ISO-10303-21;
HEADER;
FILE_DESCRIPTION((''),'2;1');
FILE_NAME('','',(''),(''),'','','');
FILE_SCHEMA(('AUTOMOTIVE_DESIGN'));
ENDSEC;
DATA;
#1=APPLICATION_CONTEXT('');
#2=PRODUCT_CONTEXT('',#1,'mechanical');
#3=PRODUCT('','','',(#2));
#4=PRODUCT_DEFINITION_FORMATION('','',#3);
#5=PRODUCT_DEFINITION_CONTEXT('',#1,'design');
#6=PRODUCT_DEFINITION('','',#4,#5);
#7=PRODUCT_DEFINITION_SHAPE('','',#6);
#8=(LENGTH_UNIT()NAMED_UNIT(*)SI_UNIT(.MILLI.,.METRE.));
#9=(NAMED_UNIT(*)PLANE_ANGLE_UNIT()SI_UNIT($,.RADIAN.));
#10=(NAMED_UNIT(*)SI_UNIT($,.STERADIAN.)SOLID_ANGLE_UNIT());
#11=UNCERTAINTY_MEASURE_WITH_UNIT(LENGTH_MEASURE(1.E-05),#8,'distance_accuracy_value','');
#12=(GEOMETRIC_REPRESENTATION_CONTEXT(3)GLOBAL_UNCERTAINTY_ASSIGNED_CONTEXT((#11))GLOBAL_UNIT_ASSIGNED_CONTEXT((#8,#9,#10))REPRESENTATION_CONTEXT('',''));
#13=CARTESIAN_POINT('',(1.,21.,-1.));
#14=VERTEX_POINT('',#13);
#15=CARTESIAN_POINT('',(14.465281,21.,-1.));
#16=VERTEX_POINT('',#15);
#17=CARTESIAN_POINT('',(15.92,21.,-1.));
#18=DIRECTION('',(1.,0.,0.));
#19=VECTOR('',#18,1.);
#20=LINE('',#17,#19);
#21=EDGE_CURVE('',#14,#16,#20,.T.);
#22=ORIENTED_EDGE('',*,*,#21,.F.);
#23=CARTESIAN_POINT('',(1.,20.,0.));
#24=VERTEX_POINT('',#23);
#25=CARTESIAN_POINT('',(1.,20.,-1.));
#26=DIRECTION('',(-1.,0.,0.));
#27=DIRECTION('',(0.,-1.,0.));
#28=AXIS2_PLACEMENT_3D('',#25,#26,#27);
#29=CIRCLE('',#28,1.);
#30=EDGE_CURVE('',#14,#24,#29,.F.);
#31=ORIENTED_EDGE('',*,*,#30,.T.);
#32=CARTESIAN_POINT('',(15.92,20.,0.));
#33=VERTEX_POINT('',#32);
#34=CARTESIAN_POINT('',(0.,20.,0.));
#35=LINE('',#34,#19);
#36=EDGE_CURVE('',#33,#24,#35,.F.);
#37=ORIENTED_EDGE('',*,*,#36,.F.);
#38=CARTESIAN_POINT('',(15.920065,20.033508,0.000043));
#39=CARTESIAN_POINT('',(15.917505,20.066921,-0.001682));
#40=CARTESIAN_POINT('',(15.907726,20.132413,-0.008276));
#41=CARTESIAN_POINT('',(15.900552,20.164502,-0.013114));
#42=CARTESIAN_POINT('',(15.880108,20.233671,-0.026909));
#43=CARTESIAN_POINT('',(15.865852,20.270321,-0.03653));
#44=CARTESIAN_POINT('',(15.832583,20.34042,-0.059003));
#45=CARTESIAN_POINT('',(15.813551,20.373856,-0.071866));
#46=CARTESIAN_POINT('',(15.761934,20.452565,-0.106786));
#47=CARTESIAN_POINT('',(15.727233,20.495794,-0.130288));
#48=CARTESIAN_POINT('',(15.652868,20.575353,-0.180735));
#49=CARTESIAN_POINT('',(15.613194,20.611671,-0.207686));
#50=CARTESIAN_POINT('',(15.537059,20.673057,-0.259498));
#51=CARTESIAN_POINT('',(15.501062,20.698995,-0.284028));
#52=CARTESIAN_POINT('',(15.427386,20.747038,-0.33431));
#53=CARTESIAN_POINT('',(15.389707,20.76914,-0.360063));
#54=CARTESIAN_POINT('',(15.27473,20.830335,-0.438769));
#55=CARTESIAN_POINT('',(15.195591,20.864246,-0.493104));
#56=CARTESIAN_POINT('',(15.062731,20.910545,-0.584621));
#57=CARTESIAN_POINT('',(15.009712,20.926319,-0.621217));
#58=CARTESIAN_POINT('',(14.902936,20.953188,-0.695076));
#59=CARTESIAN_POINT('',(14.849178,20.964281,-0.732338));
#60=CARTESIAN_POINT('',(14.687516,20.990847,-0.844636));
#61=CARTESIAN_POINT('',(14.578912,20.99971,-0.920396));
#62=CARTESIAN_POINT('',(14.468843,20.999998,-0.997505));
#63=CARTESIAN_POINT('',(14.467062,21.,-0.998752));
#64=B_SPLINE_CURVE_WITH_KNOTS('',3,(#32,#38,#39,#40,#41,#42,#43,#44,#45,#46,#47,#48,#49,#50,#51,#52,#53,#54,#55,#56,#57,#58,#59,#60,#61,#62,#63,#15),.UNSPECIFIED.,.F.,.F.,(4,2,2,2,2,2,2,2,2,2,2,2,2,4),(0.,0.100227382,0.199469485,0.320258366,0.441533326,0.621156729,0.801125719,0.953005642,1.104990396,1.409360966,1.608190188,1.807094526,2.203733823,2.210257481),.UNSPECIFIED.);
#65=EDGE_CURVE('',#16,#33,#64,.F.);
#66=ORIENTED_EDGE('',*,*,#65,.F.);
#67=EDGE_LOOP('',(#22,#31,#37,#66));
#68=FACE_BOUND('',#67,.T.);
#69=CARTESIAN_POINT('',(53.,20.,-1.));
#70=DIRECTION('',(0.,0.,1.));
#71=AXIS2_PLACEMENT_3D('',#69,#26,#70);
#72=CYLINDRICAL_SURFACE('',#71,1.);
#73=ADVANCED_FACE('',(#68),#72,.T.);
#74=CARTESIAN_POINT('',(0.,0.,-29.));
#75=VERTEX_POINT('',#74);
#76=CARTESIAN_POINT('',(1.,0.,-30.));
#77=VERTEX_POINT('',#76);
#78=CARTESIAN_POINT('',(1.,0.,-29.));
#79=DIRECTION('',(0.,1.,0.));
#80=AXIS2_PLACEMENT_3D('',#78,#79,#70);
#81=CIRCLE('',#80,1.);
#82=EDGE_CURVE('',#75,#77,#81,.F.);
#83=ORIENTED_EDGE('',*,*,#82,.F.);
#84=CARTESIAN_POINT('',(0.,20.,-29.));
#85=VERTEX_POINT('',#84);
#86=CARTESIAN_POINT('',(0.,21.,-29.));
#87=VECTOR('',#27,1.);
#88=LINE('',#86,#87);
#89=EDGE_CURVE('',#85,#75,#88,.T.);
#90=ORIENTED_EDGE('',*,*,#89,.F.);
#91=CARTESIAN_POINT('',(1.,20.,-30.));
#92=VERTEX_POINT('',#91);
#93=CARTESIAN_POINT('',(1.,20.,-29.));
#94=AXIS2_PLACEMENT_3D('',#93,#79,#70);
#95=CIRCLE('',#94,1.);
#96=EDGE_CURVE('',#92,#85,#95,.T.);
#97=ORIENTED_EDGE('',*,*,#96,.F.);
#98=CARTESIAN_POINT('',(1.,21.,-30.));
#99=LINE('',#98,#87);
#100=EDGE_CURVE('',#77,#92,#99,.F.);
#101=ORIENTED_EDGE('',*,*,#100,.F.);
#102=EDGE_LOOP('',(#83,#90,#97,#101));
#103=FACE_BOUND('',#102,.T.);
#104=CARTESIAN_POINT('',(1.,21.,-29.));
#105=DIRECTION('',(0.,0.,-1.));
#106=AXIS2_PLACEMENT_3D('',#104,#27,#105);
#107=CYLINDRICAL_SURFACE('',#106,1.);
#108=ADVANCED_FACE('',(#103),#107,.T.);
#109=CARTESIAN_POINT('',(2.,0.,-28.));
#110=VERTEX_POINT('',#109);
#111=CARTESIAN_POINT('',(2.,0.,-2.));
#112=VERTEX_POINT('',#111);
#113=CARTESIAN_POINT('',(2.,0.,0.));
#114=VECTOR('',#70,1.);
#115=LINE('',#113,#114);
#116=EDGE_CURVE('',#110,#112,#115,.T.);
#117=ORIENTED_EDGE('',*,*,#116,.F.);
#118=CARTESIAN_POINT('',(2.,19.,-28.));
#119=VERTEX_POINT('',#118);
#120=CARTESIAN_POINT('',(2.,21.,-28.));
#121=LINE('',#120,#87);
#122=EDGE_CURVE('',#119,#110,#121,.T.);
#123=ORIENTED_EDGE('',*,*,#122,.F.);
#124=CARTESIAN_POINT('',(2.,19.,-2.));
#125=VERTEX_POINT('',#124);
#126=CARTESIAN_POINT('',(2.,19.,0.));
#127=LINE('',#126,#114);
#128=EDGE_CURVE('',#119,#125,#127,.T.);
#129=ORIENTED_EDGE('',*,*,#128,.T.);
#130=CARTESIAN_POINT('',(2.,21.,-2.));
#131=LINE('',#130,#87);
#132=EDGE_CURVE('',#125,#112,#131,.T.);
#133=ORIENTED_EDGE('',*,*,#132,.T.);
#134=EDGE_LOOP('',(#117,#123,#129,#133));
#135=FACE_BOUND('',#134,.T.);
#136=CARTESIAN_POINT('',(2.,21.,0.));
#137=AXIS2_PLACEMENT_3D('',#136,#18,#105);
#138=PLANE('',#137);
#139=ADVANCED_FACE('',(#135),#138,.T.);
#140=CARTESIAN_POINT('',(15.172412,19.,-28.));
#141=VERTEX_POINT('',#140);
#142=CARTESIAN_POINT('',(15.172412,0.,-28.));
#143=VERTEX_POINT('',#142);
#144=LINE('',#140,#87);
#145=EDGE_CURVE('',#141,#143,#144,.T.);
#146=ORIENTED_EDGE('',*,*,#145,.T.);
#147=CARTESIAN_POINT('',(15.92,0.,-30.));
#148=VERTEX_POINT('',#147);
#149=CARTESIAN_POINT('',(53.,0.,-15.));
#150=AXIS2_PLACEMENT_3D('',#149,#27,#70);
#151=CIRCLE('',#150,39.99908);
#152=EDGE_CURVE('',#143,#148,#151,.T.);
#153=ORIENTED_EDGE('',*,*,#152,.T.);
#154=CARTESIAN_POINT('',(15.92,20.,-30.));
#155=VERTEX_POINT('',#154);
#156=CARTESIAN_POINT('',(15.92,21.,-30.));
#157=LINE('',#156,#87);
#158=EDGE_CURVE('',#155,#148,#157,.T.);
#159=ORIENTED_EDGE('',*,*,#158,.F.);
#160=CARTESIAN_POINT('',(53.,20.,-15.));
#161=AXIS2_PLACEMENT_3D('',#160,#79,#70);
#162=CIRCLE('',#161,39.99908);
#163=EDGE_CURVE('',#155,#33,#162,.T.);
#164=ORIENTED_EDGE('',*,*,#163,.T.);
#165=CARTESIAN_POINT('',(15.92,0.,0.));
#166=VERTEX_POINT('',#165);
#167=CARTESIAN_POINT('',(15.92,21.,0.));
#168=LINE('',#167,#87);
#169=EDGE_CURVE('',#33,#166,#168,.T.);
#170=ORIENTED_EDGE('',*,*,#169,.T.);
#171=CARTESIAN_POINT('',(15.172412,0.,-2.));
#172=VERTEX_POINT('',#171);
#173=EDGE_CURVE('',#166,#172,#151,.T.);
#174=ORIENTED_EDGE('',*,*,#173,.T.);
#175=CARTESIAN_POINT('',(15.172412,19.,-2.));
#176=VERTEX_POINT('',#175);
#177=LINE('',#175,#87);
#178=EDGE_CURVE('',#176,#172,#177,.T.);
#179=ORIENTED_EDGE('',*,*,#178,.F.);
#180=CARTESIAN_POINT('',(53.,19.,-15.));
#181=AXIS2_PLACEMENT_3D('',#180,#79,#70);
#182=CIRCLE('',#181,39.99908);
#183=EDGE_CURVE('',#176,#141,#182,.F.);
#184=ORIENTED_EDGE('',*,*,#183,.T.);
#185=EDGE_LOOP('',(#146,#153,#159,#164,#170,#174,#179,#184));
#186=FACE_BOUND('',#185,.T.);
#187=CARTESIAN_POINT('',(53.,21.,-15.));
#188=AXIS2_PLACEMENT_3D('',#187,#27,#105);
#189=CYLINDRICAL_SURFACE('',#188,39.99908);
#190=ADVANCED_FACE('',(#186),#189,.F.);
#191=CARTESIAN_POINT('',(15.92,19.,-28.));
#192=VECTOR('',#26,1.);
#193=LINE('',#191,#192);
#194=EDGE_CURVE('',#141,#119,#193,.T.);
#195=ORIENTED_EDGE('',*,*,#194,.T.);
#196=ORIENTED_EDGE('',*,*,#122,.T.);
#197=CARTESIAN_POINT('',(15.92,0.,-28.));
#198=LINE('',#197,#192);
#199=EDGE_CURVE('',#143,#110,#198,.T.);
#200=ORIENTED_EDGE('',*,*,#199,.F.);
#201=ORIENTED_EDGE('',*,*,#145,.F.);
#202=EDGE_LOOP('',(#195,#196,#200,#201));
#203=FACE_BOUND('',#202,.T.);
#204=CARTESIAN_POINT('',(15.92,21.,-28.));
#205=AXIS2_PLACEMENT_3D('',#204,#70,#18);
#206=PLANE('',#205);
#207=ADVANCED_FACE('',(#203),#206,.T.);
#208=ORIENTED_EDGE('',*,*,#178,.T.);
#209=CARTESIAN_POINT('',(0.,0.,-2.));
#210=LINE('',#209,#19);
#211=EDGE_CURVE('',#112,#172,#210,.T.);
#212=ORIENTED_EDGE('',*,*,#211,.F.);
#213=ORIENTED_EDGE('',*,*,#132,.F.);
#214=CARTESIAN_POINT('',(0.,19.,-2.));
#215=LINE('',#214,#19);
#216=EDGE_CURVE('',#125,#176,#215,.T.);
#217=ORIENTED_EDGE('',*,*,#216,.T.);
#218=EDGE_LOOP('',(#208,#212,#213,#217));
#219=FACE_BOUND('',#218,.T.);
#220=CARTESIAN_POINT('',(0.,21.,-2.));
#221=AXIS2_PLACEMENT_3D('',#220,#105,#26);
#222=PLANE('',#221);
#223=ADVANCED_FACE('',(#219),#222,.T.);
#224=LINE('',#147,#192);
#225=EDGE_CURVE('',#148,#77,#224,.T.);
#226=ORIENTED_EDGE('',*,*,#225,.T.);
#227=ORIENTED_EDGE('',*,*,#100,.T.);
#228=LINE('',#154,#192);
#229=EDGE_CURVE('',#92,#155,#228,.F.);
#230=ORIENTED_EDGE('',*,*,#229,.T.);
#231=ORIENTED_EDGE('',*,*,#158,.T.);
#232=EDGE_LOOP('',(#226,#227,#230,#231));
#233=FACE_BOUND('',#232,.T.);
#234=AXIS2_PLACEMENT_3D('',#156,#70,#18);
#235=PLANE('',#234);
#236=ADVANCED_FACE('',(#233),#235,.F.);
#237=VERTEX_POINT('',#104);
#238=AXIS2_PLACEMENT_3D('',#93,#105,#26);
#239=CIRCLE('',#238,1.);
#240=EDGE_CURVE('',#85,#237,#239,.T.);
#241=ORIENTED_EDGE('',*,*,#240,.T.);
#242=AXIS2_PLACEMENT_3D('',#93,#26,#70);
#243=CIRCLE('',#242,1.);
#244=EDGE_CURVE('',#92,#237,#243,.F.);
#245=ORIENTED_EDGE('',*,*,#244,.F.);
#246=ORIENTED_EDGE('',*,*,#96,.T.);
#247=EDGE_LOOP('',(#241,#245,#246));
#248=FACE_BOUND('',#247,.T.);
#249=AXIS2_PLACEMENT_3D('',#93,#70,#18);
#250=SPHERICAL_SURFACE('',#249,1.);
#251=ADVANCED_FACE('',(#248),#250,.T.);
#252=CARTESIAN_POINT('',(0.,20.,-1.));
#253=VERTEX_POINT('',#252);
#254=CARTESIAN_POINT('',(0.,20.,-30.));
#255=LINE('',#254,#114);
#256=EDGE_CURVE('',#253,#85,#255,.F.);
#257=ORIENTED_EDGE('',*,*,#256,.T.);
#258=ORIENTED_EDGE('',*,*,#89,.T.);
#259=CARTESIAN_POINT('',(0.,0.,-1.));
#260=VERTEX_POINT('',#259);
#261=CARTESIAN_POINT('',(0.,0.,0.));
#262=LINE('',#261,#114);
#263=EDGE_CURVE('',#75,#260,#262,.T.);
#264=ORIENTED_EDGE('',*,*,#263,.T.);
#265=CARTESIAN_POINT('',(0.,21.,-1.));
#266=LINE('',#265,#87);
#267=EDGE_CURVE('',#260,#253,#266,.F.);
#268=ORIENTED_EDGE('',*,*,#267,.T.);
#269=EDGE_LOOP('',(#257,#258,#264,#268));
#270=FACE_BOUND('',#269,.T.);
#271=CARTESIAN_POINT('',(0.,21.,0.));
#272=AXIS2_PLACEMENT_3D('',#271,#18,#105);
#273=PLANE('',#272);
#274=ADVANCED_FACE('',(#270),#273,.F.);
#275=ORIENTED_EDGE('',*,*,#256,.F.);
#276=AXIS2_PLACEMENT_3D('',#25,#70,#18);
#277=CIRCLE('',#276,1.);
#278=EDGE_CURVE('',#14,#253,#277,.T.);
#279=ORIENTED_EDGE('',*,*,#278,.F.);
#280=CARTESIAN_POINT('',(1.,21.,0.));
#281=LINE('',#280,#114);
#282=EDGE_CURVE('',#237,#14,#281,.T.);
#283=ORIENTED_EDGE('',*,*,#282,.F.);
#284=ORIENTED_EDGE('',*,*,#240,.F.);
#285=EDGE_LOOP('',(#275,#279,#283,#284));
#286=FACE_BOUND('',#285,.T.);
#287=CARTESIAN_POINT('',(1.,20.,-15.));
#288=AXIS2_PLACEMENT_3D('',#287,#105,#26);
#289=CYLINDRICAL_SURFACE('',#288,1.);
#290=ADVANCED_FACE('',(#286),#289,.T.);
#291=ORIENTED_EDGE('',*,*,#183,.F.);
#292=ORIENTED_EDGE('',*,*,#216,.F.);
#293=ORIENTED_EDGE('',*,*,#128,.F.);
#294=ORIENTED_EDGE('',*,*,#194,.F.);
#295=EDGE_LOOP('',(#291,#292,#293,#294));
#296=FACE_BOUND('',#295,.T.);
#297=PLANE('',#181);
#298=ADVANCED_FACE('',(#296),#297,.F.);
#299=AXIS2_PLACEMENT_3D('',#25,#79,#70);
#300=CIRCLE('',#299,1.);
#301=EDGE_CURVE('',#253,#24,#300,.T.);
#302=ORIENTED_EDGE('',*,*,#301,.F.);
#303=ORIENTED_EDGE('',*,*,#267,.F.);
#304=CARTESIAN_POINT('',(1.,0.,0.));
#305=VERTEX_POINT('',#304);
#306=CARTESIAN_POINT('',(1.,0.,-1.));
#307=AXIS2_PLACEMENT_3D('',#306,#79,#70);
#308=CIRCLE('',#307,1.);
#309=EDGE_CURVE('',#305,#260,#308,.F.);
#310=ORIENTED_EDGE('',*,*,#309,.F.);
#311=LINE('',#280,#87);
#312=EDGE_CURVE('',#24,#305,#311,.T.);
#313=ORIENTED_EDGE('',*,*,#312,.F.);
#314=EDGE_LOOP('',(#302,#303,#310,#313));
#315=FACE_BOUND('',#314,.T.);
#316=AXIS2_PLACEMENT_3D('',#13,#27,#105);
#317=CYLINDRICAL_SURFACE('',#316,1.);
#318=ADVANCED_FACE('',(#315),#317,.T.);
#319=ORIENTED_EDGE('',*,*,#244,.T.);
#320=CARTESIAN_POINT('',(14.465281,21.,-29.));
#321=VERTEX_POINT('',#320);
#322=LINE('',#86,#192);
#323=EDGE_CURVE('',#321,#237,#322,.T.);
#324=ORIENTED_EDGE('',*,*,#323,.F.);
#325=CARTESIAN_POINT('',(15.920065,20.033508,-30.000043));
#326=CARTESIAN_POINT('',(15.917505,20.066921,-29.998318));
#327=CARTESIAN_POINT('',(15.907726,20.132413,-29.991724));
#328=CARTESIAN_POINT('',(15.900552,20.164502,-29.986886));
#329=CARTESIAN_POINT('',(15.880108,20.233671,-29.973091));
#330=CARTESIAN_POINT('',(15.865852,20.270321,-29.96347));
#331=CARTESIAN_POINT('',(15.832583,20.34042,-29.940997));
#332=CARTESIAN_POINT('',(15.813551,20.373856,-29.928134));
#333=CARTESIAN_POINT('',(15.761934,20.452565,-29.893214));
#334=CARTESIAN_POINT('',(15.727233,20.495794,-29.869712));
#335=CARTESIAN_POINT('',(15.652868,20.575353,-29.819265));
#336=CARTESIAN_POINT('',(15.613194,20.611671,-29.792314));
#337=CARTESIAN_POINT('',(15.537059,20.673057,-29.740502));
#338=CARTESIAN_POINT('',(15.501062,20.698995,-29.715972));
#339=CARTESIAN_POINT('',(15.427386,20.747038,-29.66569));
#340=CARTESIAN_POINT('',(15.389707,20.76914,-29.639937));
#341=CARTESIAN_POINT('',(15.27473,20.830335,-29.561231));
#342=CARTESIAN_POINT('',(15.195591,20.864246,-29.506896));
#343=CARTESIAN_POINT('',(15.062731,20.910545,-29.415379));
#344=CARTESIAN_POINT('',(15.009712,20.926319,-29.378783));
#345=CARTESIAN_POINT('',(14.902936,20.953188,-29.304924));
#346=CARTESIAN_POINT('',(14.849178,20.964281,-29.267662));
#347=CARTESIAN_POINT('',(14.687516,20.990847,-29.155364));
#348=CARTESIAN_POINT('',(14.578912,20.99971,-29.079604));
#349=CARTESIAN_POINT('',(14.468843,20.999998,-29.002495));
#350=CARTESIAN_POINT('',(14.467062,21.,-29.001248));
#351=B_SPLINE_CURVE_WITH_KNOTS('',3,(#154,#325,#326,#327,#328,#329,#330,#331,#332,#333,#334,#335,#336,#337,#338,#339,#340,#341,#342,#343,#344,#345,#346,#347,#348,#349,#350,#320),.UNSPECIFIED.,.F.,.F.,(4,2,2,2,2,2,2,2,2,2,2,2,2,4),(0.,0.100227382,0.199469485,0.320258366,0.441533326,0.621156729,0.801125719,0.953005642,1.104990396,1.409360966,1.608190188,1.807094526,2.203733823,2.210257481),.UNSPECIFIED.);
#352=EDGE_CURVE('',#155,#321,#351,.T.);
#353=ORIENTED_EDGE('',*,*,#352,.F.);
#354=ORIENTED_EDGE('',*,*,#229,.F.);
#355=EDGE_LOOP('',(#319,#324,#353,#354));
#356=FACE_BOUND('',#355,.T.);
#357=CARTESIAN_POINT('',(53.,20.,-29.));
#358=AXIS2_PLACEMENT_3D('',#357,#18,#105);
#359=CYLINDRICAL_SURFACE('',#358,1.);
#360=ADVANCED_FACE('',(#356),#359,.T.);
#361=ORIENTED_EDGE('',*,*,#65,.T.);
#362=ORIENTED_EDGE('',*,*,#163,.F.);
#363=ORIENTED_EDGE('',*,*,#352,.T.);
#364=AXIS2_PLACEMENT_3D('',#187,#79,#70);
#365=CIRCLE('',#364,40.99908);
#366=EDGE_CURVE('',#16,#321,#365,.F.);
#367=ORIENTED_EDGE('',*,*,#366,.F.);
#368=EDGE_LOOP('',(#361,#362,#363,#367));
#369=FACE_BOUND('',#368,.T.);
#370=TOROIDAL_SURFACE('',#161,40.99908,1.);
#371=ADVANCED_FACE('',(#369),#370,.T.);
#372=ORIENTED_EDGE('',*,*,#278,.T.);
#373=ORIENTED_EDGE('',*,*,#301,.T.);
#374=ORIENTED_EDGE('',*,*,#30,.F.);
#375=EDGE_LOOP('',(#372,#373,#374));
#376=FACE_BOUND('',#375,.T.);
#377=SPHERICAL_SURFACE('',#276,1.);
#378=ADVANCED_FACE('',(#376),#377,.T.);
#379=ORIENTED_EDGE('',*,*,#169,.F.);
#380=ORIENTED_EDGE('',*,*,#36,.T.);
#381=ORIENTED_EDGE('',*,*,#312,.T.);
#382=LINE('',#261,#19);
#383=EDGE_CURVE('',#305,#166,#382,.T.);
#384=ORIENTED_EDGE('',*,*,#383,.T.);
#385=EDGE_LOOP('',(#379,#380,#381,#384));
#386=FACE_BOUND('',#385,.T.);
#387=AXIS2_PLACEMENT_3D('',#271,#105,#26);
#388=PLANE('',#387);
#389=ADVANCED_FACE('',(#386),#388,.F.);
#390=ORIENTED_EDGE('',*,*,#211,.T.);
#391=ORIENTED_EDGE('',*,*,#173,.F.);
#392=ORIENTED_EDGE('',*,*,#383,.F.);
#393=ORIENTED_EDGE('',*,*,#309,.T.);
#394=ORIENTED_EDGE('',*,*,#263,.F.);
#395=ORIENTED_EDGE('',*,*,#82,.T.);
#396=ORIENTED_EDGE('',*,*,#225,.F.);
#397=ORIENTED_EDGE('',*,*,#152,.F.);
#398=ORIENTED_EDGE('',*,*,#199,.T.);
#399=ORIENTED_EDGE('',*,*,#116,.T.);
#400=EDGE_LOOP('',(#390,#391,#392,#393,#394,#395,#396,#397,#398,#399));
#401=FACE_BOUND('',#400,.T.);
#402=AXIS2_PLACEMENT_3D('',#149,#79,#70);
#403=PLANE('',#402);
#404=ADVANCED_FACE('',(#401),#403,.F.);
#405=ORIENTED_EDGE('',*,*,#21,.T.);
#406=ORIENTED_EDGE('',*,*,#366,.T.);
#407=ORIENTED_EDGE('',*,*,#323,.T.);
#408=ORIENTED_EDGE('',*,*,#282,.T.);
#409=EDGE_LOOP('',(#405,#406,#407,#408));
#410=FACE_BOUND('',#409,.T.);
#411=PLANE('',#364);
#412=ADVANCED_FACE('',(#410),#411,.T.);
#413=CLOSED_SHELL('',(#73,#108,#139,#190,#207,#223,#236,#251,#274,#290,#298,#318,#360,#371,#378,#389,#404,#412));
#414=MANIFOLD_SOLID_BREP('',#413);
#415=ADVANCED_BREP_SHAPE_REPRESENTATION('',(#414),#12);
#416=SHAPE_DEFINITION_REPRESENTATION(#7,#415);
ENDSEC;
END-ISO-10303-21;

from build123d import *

# Parameters (mm, degrees)
BOSS_EXTRUDE1_DEPTH = 21
SHELL1_T            = -2
FILLET1_R           = 1


with BuildPart() as part:
    # Sketch1 → Boss-Extrude1 (new body)
    with BuildSketch(Plane(origin=(0, 0, 0), x_dir=(1, 0, 0), z_dir=(0, 1, 0))):
        with BuildLine():
            Line((0, 0), (0, 30))
            Line((0, 30), (15.92, 30))
            ThreePointArc((15.92, 30), (13.000920011, 15), (15.92, 0))
            Line((15.92, 0), (0, 0))
        make_face()
    extrude(amount=BOSS_EXTRUDE1_DEPTH)

    # Shell1
    shell1_openings = [part.faces().sort_by_distance(p)[0] for p in [
        (7.00647131, 0, -15),
        (13.000920011, 10.5, -15),
    ]]
    offset(amount=SHELL1_T, openings=shell1_openings, kind=Kind.INTERSECTION)

    # Fillet1
    fillet1_edges = [part.edges().sort_by_distance(p)[0] for p in [
        (7.96, 21, -30),
        (0, 21, -15),
        (7.96, 21, 0),
        (0, 10.5, 0),
        (0, 10.5, -30),
        (13.000920011, 21, -15),
    ]]
    fillet(fillet1_edges, radius=FILLET1_R)


solid = part.part
